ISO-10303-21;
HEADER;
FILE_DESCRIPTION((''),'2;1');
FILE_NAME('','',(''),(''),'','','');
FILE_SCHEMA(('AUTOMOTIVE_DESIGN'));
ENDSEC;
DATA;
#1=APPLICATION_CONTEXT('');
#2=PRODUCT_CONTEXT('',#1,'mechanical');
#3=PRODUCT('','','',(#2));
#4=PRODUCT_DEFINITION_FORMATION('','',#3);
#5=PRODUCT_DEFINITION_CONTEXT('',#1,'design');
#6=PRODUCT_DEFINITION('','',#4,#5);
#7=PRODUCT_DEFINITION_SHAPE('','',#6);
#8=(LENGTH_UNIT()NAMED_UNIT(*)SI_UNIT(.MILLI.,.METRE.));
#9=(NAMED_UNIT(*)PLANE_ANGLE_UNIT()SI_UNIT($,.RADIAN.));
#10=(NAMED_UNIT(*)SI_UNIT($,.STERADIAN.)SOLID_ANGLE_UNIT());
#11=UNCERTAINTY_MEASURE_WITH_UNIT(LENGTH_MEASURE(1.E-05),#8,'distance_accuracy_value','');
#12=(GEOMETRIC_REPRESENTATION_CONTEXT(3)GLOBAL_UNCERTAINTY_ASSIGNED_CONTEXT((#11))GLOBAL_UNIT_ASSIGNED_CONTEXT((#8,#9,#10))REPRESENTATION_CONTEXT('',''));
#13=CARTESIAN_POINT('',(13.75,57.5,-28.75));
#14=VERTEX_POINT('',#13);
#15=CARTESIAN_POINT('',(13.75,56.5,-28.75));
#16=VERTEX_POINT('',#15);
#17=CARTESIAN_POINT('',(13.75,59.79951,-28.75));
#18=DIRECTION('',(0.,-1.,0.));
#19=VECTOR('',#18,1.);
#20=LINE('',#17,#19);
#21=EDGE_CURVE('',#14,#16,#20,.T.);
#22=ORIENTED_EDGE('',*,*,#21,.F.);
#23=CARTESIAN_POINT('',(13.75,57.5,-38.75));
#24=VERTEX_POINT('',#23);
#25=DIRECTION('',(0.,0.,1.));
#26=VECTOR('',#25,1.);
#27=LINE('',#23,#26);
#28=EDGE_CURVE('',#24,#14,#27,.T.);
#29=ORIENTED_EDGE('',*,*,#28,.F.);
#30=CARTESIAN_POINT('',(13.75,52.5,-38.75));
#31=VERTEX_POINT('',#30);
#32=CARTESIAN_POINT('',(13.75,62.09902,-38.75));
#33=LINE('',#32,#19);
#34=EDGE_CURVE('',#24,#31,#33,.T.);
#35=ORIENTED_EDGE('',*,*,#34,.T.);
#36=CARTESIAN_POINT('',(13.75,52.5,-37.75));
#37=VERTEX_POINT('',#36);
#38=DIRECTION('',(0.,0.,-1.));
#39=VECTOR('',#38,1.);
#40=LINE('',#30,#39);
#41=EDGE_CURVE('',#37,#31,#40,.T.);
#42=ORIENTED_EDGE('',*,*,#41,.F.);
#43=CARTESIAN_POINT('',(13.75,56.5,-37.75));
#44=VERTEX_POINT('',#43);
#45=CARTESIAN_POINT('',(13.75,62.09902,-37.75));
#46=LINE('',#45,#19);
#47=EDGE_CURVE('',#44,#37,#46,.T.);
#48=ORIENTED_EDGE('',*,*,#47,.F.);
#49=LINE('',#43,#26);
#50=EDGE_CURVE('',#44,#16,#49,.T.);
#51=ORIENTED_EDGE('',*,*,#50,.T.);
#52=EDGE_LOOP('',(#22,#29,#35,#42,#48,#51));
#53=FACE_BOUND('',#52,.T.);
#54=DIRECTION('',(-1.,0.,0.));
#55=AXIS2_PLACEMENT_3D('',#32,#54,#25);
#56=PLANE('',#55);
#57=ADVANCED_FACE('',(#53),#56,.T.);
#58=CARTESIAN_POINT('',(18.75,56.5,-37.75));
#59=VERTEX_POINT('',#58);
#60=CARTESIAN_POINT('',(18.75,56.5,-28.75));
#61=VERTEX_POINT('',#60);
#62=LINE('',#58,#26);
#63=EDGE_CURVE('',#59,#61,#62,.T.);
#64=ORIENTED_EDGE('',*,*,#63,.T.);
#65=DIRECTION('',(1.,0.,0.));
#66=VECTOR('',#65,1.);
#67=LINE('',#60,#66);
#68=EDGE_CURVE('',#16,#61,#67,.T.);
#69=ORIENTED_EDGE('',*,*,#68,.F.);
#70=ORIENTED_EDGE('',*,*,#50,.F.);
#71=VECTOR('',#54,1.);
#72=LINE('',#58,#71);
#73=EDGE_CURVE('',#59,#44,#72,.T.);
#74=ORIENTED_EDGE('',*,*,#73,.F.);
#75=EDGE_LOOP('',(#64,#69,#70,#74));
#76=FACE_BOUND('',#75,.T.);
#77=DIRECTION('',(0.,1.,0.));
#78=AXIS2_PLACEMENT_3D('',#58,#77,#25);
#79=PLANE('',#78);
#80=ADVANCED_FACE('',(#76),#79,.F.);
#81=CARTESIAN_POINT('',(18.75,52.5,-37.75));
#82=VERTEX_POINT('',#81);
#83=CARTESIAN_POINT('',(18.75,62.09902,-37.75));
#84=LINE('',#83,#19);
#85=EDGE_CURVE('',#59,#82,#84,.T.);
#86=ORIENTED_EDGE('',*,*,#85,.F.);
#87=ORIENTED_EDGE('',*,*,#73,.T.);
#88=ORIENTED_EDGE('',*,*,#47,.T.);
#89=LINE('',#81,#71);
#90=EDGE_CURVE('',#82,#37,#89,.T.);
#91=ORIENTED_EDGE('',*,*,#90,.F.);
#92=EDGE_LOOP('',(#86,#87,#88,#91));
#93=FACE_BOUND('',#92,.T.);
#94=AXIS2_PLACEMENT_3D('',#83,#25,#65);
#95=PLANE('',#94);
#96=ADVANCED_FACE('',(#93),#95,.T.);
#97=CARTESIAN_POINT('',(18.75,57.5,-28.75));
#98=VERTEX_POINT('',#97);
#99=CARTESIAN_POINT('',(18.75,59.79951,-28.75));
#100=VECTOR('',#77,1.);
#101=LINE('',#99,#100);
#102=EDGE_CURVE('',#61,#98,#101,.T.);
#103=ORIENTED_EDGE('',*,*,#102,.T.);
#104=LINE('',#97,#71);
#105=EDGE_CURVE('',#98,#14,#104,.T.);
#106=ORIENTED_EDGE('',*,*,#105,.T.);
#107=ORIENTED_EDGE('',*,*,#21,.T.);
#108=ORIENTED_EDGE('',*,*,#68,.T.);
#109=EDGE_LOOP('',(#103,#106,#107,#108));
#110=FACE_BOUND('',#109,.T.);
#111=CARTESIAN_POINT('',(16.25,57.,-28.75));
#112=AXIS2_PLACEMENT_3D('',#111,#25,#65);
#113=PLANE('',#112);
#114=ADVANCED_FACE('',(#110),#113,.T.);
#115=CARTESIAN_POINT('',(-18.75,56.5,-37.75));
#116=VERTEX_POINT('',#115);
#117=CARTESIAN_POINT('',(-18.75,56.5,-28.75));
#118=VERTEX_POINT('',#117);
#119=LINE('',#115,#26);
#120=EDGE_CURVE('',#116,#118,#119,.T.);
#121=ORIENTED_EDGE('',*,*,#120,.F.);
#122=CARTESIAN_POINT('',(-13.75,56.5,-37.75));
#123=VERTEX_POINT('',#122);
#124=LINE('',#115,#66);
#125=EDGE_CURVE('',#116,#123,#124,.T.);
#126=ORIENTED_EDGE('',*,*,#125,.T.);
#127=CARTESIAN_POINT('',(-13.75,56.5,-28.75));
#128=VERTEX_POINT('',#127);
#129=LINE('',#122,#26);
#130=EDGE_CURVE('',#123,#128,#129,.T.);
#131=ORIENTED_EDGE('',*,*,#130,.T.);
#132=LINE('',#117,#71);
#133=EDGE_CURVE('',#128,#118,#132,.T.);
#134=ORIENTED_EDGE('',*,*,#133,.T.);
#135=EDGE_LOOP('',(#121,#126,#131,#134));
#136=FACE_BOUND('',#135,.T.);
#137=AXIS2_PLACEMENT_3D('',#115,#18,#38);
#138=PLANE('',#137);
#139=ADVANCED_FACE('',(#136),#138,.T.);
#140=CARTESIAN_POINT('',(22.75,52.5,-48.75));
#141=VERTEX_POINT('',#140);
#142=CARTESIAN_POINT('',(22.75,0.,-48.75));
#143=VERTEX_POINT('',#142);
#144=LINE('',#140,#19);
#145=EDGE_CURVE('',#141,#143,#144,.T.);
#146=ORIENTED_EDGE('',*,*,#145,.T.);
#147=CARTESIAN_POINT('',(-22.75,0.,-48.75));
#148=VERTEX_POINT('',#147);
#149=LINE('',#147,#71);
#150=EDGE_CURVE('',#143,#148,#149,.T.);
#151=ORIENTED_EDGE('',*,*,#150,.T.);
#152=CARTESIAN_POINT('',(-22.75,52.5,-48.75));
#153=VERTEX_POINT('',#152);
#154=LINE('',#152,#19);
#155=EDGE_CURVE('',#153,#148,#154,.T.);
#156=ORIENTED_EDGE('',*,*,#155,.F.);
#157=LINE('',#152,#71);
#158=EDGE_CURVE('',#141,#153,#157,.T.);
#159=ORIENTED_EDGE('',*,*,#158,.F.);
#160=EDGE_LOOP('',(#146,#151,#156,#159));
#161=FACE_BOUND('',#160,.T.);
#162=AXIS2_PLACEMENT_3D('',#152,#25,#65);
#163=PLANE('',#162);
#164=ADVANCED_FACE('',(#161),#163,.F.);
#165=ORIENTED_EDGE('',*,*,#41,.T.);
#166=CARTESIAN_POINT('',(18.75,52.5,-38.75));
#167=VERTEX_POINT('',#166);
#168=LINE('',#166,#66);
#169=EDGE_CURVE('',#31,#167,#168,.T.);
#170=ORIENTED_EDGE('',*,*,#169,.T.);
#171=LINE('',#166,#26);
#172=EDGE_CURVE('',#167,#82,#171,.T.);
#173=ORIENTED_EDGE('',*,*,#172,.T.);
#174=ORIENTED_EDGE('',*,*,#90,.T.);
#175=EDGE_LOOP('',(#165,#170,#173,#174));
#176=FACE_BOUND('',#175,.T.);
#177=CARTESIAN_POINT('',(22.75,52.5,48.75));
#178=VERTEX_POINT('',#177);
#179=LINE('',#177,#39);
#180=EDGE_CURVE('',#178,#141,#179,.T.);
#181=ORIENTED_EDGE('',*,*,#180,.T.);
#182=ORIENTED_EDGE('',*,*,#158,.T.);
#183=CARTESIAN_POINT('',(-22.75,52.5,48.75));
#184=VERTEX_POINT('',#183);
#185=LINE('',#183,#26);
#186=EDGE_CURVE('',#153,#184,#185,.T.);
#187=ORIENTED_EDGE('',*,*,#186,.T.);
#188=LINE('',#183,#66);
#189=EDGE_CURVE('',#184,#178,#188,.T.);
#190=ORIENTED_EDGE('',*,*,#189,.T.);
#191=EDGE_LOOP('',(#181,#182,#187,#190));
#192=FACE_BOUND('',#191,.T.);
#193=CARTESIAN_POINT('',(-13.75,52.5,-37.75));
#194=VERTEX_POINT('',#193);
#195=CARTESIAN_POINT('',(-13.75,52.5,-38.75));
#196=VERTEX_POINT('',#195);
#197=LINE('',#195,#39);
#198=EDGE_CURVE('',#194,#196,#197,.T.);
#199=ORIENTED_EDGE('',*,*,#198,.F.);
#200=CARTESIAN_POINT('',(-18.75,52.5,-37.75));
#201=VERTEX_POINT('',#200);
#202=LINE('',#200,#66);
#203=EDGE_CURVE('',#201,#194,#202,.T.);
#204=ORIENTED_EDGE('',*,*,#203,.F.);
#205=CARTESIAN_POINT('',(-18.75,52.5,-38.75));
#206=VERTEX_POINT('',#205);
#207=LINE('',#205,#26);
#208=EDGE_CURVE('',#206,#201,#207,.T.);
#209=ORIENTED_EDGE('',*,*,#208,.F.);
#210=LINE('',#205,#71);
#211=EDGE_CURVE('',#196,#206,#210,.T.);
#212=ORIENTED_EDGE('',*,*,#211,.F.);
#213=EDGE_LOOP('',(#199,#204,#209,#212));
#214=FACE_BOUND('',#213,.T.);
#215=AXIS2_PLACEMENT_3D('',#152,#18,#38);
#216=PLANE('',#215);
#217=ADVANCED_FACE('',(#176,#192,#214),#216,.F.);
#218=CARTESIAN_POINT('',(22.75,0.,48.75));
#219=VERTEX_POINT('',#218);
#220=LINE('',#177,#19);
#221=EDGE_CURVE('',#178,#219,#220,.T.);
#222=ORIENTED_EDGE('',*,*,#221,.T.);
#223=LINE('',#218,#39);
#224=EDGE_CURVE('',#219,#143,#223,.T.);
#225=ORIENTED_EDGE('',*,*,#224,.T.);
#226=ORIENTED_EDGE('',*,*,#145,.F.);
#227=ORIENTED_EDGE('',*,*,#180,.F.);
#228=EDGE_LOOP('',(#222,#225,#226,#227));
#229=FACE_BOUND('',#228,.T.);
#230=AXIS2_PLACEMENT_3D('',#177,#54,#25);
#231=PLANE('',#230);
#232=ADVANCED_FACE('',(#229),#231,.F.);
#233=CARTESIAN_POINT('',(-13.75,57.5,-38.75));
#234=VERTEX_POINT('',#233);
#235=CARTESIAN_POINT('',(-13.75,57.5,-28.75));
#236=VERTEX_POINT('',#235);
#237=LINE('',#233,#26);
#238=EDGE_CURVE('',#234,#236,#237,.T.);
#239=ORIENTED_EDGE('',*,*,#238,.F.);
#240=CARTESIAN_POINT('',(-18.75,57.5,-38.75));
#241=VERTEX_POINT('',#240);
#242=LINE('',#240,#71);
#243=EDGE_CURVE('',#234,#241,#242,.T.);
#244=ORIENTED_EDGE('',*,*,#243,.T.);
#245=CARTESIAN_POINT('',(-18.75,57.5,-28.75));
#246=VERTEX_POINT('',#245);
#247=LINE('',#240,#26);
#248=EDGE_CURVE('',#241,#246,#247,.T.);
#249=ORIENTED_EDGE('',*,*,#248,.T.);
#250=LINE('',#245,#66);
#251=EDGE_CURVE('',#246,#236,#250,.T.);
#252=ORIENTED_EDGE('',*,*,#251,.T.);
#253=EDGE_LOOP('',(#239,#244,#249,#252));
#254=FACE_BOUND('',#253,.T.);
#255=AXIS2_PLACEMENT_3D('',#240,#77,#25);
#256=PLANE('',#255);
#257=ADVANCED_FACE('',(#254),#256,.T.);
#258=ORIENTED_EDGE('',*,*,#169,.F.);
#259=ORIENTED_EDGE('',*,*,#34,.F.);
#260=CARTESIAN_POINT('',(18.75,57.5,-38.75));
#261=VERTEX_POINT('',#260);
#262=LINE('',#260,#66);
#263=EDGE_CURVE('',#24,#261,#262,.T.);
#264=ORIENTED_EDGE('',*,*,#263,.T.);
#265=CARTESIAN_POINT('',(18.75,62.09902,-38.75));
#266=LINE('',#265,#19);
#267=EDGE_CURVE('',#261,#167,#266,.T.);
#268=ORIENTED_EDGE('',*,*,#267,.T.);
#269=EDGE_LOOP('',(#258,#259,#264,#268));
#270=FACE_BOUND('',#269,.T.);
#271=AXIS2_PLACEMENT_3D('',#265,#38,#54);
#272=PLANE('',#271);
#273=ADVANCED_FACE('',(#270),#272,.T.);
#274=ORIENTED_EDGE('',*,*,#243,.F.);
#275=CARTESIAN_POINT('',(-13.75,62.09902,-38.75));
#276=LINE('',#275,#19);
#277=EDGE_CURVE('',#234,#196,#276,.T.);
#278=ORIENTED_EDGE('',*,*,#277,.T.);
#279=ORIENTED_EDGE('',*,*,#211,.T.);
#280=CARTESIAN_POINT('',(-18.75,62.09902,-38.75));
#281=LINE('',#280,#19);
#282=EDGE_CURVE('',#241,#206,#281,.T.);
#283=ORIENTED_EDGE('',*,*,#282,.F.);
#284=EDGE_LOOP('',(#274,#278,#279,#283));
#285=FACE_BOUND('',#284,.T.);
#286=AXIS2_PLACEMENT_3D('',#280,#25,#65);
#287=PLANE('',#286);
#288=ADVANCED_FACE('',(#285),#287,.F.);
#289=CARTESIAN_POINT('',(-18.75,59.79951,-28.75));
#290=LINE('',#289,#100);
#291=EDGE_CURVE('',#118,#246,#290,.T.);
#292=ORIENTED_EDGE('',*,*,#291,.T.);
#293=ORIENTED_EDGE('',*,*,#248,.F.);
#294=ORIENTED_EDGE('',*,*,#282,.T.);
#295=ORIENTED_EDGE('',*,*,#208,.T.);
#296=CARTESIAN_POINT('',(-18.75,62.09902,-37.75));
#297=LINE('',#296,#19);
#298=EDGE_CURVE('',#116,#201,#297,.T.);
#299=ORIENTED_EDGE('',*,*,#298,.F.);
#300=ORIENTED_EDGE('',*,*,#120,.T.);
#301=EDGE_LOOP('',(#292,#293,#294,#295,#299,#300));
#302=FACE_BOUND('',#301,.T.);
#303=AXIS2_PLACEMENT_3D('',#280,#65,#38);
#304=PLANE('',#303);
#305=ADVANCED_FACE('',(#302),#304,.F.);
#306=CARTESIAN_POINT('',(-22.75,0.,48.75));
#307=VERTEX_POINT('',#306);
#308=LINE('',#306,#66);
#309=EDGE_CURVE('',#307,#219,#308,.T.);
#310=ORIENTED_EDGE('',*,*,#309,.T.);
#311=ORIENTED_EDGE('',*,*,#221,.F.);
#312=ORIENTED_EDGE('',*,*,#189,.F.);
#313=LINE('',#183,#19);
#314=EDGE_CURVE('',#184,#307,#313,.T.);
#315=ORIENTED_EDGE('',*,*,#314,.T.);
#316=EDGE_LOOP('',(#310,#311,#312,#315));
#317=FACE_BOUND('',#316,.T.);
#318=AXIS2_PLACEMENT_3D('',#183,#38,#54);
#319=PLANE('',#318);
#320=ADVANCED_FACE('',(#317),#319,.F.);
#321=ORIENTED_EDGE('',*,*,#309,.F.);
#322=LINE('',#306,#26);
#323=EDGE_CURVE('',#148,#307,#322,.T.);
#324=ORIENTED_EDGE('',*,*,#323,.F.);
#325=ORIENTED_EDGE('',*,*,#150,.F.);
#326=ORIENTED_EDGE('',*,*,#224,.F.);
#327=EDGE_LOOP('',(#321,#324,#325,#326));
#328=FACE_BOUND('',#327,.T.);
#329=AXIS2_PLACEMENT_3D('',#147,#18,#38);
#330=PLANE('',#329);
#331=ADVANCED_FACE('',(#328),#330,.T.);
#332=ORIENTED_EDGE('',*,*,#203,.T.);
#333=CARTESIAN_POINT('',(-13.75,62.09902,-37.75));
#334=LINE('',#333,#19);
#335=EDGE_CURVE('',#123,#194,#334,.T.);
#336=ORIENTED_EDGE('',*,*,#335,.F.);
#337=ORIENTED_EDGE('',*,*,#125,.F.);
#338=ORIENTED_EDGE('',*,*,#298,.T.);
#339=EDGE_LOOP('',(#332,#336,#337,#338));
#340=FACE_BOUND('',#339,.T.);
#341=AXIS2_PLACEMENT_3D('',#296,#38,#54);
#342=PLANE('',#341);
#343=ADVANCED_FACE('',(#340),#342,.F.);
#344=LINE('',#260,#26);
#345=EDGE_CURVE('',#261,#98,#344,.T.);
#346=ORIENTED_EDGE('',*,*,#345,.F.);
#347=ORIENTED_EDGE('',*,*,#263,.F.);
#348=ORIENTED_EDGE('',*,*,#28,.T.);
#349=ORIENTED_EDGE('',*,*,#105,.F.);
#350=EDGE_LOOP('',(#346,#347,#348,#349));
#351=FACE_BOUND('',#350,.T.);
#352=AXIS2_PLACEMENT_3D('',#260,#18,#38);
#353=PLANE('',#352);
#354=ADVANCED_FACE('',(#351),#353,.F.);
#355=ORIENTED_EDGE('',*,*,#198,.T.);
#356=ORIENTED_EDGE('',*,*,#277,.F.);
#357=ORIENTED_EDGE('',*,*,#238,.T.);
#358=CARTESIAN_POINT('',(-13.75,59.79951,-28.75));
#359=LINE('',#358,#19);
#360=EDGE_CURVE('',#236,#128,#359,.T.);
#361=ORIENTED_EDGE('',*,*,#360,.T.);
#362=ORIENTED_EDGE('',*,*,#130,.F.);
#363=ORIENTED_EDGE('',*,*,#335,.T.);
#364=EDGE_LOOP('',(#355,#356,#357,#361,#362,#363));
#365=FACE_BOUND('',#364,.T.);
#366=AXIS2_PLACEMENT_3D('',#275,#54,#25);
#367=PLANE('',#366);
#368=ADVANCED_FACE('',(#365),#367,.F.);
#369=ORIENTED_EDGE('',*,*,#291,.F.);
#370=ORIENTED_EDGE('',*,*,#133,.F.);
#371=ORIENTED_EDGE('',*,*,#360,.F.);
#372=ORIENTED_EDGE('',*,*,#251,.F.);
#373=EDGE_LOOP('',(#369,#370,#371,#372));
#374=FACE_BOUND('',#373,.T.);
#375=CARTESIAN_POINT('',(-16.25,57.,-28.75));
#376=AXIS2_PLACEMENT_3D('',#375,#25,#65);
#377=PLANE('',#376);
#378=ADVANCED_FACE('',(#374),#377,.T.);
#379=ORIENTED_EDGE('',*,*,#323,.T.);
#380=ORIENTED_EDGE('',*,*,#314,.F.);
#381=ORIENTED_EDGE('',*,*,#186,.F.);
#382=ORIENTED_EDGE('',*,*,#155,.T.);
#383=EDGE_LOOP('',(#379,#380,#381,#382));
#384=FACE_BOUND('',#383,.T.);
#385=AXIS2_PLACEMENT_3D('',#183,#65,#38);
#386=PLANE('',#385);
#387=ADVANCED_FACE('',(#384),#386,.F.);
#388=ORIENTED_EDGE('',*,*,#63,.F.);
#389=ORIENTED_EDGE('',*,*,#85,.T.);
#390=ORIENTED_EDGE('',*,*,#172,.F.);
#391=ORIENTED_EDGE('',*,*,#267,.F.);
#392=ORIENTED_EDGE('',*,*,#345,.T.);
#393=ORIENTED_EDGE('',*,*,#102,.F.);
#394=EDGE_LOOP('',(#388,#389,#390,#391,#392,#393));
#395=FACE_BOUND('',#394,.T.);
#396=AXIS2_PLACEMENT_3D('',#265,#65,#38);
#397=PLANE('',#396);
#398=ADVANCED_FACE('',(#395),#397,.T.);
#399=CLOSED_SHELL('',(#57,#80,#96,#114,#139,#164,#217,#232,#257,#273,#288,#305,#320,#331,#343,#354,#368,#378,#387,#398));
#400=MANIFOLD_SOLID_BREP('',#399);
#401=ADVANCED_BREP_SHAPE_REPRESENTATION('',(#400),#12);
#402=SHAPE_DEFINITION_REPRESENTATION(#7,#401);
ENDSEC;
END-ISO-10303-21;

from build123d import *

# Parameters (mm, degrees)
SKETCH_1_W      = 45.5
SKETCH_1_H      = 97.5
EXTRUDE_1_DEPTH = 52.5
SKETCH_3_W      = 5
SKETCH_3_H      = 1


with BuildPart() as part:
    # 草图1 → 拉伸1 (new body)
    with BuildSketch(Plane(origin=(0, 0, 0), x_dir=(1, 0, 0), z_dir=(0, 1, 0))):
        Rectangle(SKETCH_1_W, SKETCH_1_H)
    extrude(amount=EXTRUDE_1_DEPTH)

    # 扫描1: sweep along a path in 草图4
    with BuildLine(Plane.ZY.offset(18.75)) as sweep_1_path:
        Line((-38.75, 52.5), (-38.75, 57.5))
        Line((-38.75, 57.5), (-28.75, 57.5))
    # 草图3 → 扫描1 (sweep)
    with BuildSketch(Plane(origin=(0, 52.5, 0), x_dir=(-1, 0, 0), z_dir=(0, 1, 0))):
        with Locations((16.25, -38.25)):
            Rectangle(SKETCH_3_W, SKETCH_3_H)
    sweep_1 = sweep(path=sweep_1_path.line, transition=Transition.RIGHT)

    # 镜向2: 扫描1 across plane
    add(sweep_1.mirror(Plane.ZY))


solid = part.part
